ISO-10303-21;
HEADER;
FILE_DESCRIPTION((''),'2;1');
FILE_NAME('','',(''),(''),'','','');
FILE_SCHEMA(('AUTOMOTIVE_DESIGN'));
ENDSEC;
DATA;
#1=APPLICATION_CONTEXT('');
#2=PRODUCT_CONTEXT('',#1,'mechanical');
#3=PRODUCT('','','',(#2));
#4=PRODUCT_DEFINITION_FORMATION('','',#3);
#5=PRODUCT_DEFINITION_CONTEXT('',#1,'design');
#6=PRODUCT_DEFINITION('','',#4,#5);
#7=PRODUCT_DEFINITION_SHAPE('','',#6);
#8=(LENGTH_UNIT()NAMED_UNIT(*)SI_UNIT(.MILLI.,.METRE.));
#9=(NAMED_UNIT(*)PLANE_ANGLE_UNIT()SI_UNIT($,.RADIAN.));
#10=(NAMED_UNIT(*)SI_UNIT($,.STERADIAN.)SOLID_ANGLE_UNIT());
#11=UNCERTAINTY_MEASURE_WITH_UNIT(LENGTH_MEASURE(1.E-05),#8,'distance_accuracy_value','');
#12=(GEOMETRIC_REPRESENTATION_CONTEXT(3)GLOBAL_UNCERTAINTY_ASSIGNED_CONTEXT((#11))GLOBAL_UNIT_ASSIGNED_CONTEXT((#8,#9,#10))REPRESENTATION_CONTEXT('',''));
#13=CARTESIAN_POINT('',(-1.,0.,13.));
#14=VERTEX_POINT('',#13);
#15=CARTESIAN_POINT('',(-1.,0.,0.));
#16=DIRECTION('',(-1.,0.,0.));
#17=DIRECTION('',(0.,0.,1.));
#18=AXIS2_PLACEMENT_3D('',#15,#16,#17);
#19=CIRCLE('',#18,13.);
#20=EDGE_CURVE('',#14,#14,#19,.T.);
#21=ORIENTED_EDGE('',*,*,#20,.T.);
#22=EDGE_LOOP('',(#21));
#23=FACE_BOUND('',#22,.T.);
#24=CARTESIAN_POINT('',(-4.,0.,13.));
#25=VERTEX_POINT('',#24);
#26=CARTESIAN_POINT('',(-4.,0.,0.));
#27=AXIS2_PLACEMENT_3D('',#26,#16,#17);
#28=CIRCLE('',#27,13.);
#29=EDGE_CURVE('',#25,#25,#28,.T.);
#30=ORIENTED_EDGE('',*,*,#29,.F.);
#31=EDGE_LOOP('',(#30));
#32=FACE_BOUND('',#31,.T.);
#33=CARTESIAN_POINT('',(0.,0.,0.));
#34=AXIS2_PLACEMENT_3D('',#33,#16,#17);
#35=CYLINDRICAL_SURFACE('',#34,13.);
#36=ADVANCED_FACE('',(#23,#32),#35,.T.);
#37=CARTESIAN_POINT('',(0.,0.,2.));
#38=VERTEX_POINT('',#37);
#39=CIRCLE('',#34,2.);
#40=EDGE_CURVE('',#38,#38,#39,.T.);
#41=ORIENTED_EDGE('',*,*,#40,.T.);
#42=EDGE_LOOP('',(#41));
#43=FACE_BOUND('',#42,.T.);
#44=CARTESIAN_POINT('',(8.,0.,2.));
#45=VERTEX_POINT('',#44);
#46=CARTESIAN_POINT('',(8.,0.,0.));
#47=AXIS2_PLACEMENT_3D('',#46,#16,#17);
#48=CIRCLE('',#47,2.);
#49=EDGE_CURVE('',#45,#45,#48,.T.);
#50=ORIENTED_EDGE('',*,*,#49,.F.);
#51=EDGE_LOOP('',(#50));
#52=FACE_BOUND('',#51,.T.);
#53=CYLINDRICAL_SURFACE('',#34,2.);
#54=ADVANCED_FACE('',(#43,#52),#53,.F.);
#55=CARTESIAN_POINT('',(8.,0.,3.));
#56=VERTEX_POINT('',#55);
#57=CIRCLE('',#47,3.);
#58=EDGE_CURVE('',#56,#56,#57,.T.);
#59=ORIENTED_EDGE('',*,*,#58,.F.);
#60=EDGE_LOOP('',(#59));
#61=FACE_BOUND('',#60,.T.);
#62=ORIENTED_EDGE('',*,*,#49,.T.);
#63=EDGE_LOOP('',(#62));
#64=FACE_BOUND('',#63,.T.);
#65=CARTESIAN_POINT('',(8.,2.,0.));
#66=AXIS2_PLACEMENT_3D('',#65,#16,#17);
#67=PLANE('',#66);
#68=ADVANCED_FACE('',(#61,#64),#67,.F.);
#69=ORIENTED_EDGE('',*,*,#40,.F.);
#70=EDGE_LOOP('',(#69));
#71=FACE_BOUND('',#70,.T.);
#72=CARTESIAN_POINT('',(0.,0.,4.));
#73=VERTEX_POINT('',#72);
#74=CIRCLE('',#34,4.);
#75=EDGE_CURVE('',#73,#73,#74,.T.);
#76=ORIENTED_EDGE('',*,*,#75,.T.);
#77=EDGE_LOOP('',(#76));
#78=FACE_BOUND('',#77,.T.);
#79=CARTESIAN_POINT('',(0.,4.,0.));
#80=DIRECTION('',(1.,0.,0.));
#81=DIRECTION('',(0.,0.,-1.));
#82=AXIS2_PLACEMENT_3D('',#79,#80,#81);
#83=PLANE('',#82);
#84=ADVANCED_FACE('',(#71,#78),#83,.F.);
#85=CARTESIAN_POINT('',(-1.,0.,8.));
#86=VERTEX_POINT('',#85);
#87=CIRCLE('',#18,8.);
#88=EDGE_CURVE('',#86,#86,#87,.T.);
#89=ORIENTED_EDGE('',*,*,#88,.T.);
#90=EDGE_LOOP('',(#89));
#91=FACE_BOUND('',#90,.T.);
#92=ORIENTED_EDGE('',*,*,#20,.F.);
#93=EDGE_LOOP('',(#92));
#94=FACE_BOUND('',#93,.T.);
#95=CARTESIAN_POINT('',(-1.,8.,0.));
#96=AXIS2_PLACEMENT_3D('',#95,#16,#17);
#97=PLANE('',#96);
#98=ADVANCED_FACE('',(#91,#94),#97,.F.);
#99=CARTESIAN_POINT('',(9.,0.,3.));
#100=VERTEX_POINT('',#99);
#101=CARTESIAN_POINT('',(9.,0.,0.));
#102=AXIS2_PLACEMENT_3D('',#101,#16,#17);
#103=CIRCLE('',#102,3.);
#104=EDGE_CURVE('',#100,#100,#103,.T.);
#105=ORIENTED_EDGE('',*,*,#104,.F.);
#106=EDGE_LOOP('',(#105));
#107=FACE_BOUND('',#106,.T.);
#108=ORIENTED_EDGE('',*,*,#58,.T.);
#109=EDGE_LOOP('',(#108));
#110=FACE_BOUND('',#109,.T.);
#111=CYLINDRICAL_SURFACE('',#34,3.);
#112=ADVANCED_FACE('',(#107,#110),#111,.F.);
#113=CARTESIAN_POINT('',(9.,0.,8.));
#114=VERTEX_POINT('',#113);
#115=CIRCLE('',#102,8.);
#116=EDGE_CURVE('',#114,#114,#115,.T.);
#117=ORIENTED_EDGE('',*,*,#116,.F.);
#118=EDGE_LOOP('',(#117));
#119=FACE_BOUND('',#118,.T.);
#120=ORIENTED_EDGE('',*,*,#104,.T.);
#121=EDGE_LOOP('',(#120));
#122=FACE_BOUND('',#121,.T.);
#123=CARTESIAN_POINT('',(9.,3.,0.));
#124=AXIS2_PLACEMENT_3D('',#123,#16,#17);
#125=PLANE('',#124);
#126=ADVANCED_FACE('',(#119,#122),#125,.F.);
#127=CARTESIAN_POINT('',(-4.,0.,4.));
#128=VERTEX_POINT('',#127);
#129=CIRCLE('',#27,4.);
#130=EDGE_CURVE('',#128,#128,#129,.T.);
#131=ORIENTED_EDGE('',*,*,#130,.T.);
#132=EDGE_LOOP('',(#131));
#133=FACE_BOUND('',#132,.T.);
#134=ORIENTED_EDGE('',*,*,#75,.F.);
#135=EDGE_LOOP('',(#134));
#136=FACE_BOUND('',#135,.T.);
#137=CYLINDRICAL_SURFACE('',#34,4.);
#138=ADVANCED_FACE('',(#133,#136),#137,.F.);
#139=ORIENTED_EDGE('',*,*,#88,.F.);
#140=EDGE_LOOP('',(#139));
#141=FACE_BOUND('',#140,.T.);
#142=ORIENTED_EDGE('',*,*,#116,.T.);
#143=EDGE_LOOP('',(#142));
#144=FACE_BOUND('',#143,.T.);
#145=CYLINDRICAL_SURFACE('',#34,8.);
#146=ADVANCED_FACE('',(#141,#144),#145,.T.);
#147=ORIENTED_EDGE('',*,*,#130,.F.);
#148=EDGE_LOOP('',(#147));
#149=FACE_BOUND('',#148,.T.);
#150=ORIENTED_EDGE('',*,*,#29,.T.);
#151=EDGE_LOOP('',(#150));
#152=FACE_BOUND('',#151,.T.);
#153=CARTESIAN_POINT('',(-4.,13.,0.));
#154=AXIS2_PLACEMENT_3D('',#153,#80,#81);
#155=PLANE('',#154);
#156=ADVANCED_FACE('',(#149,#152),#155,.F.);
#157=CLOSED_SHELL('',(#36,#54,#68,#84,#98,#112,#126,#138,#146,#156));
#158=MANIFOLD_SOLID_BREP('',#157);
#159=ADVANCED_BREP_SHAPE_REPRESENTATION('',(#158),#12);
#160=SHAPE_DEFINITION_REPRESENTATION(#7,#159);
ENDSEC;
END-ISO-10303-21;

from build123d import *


with BuildPart() as part:
    # Sketch1 → Revolve1 (revolve)
    with BuildSketch(Plane.XY, mode=Mode.PRIVATE) as revolve1_sk:
        Polygon((0, 4), (0, 2), (8, 2), (8, 3), (9, 3), (9, 8), (-1, 8), (-1, 13), (-4, 13), (-4, 4), align=None)
    revolve(revolve1_sk.sketch.rotate(Axis((0, 0, 0), (1, 0, 0)), 90), axis=Axis((0, 0, 0), (1, 0, 0)))


solid = part.part
